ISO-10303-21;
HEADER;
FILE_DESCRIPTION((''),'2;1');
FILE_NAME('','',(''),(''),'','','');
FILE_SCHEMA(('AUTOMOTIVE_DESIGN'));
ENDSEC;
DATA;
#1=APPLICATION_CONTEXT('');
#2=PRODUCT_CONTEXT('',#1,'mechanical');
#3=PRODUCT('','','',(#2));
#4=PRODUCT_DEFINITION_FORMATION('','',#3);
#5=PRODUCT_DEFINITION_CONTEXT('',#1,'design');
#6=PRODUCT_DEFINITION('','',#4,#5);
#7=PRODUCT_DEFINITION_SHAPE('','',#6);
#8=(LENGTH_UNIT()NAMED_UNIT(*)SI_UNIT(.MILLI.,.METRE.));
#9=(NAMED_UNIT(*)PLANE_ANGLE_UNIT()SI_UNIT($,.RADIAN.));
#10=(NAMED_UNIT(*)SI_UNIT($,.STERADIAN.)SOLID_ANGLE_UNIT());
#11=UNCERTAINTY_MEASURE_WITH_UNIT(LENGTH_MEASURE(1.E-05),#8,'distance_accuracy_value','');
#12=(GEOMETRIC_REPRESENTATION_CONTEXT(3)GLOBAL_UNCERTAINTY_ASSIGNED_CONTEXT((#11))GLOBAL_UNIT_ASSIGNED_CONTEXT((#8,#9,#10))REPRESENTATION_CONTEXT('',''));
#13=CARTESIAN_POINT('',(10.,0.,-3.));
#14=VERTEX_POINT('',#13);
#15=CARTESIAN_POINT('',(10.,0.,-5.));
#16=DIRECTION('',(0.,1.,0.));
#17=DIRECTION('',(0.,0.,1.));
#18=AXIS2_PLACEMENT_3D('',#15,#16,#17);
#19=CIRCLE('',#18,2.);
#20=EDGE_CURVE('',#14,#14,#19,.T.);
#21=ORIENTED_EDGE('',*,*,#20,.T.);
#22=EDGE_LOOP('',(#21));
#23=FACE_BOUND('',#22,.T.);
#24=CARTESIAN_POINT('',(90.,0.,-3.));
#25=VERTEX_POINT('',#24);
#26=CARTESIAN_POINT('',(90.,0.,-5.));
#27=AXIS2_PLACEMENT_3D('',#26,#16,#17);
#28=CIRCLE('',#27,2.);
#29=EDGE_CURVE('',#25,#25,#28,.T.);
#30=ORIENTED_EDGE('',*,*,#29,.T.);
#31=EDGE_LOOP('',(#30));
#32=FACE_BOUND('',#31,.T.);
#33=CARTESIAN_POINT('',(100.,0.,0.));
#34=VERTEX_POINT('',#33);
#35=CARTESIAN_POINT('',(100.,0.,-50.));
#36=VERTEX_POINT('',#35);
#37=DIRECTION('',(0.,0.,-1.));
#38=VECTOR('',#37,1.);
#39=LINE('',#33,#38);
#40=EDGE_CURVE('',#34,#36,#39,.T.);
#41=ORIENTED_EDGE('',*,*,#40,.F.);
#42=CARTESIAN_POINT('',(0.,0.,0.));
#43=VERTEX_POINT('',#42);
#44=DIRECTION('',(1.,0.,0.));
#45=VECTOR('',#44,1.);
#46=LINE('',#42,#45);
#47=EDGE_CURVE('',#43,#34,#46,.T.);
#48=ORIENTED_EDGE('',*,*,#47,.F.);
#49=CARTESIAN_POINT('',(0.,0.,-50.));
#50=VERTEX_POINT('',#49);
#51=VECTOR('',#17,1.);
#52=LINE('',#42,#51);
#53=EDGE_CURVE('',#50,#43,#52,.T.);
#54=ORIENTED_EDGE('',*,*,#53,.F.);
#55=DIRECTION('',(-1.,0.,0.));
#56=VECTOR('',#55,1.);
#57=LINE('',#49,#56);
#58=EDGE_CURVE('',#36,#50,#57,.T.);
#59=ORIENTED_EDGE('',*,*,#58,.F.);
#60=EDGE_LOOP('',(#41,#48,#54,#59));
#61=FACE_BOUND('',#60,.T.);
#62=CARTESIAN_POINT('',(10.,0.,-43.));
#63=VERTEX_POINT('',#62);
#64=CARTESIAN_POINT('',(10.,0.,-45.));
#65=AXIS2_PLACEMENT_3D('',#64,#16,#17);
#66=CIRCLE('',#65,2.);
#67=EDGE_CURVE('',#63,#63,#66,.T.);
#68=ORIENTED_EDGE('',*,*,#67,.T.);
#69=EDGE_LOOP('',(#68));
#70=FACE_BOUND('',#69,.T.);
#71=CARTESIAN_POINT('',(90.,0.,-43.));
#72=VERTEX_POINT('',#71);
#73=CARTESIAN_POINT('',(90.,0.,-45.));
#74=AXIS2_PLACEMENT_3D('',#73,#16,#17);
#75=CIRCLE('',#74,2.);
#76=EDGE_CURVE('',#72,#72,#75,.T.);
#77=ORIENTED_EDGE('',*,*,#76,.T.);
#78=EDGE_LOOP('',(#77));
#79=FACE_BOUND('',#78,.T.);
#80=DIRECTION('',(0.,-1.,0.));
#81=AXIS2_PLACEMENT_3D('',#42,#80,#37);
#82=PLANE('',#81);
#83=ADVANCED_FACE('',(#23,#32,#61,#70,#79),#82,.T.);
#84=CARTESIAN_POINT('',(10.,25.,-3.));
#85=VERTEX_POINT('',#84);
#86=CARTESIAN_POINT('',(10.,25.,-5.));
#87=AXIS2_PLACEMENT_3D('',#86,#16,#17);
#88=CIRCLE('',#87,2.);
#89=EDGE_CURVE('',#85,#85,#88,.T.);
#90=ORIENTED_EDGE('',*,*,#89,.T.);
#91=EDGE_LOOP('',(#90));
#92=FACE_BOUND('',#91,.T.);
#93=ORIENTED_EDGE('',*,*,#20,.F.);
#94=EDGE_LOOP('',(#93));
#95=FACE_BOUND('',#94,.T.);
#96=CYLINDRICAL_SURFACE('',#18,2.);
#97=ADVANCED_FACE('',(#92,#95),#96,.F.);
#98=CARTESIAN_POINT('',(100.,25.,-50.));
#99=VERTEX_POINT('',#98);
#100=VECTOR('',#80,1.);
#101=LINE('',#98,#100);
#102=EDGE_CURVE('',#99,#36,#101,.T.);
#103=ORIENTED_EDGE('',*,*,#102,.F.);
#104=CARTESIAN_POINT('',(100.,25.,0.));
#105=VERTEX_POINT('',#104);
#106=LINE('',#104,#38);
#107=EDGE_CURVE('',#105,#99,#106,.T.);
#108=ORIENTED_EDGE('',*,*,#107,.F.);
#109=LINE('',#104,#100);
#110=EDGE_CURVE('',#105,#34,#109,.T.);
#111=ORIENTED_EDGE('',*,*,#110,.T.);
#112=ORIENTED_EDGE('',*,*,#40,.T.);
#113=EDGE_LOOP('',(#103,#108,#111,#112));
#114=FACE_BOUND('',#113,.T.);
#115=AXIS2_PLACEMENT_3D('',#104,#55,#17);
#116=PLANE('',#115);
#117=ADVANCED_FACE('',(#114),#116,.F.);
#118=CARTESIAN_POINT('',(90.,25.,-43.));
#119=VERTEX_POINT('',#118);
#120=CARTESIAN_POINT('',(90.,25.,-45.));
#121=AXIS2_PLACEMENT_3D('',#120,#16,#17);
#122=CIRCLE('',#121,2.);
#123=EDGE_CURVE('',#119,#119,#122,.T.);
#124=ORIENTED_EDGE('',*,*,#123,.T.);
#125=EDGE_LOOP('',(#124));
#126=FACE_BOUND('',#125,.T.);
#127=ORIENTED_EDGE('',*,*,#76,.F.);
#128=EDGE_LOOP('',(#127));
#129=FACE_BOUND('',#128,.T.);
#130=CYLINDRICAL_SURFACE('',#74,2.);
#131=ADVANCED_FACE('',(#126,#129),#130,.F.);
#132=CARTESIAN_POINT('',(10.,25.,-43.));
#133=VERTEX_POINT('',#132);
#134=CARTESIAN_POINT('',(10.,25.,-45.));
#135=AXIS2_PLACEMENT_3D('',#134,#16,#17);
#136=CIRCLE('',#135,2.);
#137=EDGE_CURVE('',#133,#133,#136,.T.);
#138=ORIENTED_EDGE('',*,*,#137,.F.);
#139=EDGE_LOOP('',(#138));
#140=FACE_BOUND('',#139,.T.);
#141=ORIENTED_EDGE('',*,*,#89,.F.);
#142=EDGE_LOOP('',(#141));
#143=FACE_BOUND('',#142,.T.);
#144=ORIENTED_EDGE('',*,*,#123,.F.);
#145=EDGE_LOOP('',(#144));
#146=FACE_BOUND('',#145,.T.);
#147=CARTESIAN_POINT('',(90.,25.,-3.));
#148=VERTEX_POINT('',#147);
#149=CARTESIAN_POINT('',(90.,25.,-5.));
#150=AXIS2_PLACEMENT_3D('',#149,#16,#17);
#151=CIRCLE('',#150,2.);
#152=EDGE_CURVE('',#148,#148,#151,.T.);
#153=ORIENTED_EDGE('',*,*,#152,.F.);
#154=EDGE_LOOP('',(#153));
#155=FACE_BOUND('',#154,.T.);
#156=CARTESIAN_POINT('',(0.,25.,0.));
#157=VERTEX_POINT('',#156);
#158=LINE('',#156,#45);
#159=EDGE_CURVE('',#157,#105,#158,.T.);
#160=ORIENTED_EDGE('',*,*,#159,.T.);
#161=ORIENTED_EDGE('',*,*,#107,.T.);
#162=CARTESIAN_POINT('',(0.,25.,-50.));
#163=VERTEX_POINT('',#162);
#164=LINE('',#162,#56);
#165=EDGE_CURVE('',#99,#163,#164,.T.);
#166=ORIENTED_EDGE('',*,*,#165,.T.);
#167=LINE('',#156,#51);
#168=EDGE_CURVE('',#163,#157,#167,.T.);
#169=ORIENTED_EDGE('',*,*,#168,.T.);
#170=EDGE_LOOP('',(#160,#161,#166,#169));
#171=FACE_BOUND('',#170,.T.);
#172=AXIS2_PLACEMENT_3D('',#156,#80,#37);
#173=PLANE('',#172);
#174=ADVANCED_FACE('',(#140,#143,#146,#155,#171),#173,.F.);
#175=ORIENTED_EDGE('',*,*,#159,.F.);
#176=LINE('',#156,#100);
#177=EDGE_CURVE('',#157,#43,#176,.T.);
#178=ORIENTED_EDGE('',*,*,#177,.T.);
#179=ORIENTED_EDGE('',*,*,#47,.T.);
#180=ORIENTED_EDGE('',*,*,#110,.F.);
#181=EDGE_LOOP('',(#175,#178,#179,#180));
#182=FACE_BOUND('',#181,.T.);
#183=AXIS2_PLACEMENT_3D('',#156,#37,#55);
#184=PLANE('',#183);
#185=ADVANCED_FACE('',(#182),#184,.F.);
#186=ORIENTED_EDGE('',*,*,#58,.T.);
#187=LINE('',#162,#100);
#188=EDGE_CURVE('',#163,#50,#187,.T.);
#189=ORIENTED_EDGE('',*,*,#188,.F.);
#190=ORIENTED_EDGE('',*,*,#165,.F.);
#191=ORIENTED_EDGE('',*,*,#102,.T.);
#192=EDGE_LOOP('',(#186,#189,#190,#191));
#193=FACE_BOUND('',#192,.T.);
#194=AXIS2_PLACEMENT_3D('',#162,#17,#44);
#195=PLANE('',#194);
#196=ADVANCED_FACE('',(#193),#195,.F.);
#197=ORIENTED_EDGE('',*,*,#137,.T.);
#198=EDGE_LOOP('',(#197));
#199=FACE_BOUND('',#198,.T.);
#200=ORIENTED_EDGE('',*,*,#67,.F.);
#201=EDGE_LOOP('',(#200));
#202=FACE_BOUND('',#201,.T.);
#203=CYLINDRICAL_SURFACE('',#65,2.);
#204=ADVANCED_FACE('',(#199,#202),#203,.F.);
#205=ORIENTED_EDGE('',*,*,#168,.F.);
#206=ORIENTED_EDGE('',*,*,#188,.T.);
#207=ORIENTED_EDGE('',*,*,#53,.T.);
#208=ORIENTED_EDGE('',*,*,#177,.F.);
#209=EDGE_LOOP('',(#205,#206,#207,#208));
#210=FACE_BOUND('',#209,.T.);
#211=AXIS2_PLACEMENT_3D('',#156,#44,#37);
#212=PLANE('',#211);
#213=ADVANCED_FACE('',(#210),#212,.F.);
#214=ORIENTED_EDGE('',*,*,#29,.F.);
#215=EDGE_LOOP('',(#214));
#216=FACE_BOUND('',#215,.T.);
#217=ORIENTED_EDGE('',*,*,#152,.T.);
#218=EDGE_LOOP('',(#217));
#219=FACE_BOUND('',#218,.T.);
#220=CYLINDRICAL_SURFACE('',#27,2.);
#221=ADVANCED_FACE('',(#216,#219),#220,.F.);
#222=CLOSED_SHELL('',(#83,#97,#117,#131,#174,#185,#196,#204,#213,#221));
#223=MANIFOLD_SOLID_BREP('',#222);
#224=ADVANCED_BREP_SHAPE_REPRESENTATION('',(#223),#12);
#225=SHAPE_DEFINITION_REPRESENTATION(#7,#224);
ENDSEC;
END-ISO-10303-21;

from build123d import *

# Parameters (mm, degrees)
SKETCH_1_W          = 100
SKETCH_1_H          = 50
EXTRUDE_1_DEPTH     = 25
SKETCH_2_R          = 2
CUT_EXTRUDE_1_DEPTH = 115.564392374


with BuildPart() as part:
    # 草图1 → 凸台-拉伸1 (new body)
    with BuildSketch(Plane(origin=(0, 0, 0), x_dir=(1, 0, 0), z_dir=(0, 1, 0))):
        with Locations((50, 25)):
            Rectangle(SKETCH_1_W, SKETCH_1_H)
    extrude(amount=EXTRUDE_1_DEPTH)

    # 草图2 → 切除-拉伸1 (cut, through all)
    with BuildSketch(Plane(origin=(0, 25, 0), x_dir=(1, 0, 0), z_dir=(0, 1, 0))):
        with Locations(Location((10, 5, 0), (0, 0, 270))):
            Circle(SKETCH_2_R)
        with Locations(Location((90, 5, 0), (0, 0, 270))):
            Circle(SKETCH_2_R)
        with Locations(Location((10, 45, 0), (0, 0, 270))):
            Circle(SKETCH_2_R)
        with Locations(Location((90, 45, 0), (0, 0, 270))):
            Circle(SKETCH_2_R)
    extrude(amount=-CUT_EXTRUDE_1_DEPTH, mode=Mode.SUBTRACT)


solid = part.part
